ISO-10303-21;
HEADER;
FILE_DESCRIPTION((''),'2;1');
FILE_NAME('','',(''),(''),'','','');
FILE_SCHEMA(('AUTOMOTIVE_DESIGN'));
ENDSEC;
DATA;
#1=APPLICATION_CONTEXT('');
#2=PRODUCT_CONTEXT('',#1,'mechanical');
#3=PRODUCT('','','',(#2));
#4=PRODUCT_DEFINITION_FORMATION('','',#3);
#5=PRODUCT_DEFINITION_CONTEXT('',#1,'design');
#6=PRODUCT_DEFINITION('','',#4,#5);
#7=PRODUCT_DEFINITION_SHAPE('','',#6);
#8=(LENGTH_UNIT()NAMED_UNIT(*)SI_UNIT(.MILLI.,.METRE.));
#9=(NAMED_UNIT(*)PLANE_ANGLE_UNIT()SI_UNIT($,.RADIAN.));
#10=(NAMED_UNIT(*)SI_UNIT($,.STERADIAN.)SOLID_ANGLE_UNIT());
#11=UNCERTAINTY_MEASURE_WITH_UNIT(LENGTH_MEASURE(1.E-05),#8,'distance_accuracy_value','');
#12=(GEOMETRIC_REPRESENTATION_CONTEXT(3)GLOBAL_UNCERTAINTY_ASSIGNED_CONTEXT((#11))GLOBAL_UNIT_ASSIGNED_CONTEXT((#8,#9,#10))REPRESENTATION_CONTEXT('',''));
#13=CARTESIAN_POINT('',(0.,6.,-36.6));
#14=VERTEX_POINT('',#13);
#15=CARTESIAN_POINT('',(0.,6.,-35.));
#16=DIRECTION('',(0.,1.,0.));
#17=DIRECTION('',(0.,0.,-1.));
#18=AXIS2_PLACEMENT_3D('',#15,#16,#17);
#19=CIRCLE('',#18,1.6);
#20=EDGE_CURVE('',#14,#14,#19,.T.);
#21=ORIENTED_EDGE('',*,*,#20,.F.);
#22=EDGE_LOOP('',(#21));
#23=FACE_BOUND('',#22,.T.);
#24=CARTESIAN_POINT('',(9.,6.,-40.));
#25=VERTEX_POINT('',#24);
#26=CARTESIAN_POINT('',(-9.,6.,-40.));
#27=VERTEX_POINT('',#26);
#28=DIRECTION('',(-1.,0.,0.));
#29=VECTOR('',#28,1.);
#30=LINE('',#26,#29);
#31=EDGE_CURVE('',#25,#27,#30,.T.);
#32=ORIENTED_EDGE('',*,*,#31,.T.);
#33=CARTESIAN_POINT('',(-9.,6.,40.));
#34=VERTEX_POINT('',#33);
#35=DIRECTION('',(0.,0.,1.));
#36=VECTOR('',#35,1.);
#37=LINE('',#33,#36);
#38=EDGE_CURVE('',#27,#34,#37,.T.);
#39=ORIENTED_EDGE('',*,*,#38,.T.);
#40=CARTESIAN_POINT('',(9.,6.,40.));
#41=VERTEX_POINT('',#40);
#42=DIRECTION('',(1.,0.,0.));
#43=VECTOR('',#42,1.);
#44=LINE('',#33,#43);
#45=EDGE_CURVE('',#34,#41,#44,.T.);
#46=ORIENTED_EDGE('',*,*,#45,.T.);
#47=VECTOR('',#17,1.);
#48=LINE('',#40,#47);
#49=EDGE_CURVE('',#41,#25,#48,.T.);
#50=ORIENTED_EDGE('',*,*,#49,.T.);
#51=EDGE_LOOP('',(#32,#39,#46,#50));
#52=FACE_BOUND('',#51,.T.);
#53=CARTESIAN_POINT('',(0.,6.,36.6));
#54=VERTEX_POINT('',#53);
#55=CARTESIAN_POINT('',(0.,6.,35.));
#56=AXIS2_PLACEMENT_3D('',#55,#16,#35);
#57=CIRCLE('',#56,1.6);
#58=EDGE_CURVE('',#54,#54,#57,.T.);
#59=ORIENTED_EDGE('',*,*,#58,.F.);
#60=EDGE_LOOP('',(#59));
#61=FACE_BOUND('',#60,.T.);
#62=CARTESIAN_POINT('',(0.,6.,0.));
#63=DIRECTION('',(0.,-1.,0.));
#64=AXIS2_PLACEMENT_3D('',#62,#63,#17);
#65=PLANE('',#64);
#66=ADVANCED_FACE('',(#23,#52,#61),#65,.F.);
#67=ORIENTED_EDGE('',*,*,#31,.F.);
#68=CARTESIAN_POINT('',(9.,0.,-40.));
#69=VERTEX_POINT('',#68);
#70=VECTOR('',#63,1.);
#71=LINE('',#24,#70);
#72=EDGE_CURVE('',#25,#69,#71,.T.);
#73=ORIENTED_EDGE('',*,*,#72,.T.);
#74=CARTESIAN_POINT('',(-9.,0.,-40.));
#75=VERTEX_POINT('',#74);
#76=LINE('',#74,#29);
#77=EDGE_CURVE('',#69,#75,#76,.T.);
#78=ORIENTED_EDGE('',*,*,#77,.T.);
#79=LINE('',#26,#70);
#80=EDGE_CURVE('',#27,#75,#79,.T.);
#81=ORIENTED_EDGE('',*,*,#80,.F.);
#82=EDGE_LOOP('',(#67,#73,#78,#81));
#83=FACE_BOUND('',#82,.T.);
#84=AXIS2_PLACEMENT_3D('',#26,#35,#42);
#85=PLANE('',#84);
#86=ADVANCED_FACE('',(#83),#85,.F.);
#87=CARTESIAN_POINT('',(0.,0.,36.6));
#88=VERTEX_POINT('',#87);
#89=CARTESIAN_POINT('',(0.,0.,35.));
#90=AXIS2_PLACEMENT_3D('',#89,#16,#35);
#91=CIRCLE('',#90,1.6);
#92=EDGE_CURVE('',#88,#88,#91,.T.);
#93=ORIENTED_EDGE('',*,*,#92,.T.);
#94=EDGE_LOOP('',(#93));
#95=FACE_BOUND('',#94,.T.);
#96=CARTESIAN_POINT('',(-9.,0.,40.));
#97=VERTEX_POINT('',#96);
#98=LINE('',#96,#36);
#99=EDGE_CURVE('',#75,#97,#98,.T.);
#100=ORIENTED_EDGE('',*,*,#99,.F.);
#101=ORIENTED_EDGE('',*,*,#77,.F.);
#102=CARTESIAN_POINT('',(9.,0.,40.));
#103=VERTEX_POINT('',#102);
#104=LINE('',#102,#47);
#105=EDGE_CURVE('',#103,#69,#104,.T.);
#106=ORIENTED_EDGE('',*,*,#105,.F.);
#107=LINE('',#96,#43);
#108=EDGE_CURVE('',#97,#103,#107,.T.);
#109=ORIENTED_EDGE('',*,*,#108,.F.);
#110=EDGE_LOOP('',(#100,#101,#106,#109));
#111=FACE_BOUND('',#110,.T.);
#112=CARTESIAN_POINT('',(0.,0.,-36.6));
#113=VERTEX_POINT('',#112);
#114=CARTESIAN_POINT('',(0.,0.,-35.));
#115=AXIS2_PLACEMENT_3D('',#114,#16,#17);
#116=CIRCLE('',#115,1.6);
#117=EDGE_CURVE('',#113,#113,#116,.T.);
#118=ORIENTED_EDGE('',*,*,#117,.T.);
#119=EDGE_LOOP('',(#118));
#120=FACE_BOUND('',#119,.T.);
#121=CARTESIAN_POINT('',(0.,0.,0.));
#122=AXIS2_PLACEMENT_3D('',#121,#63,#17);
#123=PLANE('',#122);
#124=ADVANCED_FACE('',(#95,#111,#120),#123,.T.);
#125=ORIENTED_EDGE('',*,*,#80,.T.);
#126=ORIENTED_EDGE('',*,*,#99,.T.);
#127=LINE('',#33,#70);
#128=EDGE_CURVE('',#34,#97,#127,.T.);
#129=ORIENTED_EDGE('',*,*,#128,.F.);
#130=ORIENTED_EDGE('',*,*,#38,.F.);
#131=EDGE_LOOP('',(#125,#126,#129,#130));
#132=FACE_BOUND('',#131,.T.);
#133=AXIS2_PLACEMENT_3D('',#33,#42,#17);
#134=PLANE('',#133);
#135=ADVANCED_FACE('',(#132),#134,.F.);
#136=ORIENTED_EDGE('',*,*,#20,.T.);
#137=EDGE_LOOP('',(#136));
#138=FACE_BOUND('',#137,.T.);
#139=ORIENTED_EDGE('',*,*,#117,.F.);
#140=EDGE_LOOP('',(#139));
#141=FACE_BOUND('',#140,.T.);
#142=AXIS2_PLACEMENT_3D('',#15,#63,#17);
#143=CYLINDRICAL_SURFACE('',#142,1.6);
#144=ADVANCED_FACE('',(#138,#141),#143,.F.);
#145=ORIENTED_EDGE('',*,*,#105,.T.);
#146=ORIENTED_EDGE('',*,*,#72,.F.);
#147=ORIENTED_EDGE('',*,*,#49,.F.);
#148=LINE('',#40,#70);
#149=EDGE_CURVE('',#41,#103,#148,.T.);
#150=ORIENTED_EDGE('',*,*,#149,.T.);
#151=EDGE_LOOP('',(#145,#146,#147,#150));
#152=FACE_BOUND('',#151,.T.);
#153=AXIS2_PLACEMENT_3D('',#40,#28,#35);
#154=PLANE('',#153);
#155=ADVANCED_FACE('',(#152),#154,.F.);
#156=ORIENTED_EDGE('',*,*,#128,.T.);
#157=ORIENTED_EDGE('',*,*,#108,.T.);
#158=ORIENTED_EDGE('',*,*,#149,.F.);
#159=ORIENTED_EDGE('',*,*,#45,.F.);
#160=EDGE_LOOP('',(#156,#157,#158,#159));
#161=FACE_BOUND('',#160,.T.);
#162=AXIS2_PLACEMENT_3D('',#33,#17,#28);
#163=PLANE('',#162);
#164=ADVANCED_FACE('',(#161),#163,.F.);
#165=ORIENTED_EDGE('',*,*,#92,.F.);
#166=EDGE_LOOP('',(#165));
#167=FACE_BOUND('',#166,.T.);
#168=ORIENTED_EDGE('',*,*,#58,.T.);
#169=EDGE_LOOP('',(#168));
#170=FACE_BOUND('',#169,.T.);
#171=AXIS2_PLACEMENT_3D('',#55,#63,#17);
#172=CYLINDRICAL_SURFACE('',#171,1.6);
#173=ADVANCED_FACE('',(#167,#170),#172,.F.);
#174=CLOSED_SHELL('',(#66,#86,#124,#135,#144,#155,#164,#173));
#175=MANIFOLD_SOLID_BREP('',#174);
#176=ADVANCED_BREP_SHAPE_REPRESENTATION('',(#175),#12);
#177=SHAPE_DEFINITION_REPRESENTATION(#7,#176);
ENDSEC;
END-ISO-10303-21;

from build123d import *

# Parameters (mm, degrees)
SKETCH1_W           = 18
SKETCH1_H           = 80
SKETCH1_R           = 1.6
BOSS_EXTRUDE1_DEPTH = 6


with BuildPart() as part:
    # Sketch1 → Boss-Extrude1 (new body)
    with BuildSketch(Plane(origin=(0, 0, 0), x_dir=(1, 0, 0), z_dir=(0, 1, 0))):
        Rectangle(SKETCH1_W, SKETCH1_H)
        with Locations(Location((0, -35, 0), (0, 0, 270))):
            Circle(SKETCH1_R, mode=Mode.SUBTRACT)
        with Locations(Location((0, 35, 0), (0, 0, 90))):
            Circle(SKETCH1_R, mode=Mode.SUBTRACT)
    extrude(amount=BOSS_EXTRUDE1_DEPTH)


solid = part.part
